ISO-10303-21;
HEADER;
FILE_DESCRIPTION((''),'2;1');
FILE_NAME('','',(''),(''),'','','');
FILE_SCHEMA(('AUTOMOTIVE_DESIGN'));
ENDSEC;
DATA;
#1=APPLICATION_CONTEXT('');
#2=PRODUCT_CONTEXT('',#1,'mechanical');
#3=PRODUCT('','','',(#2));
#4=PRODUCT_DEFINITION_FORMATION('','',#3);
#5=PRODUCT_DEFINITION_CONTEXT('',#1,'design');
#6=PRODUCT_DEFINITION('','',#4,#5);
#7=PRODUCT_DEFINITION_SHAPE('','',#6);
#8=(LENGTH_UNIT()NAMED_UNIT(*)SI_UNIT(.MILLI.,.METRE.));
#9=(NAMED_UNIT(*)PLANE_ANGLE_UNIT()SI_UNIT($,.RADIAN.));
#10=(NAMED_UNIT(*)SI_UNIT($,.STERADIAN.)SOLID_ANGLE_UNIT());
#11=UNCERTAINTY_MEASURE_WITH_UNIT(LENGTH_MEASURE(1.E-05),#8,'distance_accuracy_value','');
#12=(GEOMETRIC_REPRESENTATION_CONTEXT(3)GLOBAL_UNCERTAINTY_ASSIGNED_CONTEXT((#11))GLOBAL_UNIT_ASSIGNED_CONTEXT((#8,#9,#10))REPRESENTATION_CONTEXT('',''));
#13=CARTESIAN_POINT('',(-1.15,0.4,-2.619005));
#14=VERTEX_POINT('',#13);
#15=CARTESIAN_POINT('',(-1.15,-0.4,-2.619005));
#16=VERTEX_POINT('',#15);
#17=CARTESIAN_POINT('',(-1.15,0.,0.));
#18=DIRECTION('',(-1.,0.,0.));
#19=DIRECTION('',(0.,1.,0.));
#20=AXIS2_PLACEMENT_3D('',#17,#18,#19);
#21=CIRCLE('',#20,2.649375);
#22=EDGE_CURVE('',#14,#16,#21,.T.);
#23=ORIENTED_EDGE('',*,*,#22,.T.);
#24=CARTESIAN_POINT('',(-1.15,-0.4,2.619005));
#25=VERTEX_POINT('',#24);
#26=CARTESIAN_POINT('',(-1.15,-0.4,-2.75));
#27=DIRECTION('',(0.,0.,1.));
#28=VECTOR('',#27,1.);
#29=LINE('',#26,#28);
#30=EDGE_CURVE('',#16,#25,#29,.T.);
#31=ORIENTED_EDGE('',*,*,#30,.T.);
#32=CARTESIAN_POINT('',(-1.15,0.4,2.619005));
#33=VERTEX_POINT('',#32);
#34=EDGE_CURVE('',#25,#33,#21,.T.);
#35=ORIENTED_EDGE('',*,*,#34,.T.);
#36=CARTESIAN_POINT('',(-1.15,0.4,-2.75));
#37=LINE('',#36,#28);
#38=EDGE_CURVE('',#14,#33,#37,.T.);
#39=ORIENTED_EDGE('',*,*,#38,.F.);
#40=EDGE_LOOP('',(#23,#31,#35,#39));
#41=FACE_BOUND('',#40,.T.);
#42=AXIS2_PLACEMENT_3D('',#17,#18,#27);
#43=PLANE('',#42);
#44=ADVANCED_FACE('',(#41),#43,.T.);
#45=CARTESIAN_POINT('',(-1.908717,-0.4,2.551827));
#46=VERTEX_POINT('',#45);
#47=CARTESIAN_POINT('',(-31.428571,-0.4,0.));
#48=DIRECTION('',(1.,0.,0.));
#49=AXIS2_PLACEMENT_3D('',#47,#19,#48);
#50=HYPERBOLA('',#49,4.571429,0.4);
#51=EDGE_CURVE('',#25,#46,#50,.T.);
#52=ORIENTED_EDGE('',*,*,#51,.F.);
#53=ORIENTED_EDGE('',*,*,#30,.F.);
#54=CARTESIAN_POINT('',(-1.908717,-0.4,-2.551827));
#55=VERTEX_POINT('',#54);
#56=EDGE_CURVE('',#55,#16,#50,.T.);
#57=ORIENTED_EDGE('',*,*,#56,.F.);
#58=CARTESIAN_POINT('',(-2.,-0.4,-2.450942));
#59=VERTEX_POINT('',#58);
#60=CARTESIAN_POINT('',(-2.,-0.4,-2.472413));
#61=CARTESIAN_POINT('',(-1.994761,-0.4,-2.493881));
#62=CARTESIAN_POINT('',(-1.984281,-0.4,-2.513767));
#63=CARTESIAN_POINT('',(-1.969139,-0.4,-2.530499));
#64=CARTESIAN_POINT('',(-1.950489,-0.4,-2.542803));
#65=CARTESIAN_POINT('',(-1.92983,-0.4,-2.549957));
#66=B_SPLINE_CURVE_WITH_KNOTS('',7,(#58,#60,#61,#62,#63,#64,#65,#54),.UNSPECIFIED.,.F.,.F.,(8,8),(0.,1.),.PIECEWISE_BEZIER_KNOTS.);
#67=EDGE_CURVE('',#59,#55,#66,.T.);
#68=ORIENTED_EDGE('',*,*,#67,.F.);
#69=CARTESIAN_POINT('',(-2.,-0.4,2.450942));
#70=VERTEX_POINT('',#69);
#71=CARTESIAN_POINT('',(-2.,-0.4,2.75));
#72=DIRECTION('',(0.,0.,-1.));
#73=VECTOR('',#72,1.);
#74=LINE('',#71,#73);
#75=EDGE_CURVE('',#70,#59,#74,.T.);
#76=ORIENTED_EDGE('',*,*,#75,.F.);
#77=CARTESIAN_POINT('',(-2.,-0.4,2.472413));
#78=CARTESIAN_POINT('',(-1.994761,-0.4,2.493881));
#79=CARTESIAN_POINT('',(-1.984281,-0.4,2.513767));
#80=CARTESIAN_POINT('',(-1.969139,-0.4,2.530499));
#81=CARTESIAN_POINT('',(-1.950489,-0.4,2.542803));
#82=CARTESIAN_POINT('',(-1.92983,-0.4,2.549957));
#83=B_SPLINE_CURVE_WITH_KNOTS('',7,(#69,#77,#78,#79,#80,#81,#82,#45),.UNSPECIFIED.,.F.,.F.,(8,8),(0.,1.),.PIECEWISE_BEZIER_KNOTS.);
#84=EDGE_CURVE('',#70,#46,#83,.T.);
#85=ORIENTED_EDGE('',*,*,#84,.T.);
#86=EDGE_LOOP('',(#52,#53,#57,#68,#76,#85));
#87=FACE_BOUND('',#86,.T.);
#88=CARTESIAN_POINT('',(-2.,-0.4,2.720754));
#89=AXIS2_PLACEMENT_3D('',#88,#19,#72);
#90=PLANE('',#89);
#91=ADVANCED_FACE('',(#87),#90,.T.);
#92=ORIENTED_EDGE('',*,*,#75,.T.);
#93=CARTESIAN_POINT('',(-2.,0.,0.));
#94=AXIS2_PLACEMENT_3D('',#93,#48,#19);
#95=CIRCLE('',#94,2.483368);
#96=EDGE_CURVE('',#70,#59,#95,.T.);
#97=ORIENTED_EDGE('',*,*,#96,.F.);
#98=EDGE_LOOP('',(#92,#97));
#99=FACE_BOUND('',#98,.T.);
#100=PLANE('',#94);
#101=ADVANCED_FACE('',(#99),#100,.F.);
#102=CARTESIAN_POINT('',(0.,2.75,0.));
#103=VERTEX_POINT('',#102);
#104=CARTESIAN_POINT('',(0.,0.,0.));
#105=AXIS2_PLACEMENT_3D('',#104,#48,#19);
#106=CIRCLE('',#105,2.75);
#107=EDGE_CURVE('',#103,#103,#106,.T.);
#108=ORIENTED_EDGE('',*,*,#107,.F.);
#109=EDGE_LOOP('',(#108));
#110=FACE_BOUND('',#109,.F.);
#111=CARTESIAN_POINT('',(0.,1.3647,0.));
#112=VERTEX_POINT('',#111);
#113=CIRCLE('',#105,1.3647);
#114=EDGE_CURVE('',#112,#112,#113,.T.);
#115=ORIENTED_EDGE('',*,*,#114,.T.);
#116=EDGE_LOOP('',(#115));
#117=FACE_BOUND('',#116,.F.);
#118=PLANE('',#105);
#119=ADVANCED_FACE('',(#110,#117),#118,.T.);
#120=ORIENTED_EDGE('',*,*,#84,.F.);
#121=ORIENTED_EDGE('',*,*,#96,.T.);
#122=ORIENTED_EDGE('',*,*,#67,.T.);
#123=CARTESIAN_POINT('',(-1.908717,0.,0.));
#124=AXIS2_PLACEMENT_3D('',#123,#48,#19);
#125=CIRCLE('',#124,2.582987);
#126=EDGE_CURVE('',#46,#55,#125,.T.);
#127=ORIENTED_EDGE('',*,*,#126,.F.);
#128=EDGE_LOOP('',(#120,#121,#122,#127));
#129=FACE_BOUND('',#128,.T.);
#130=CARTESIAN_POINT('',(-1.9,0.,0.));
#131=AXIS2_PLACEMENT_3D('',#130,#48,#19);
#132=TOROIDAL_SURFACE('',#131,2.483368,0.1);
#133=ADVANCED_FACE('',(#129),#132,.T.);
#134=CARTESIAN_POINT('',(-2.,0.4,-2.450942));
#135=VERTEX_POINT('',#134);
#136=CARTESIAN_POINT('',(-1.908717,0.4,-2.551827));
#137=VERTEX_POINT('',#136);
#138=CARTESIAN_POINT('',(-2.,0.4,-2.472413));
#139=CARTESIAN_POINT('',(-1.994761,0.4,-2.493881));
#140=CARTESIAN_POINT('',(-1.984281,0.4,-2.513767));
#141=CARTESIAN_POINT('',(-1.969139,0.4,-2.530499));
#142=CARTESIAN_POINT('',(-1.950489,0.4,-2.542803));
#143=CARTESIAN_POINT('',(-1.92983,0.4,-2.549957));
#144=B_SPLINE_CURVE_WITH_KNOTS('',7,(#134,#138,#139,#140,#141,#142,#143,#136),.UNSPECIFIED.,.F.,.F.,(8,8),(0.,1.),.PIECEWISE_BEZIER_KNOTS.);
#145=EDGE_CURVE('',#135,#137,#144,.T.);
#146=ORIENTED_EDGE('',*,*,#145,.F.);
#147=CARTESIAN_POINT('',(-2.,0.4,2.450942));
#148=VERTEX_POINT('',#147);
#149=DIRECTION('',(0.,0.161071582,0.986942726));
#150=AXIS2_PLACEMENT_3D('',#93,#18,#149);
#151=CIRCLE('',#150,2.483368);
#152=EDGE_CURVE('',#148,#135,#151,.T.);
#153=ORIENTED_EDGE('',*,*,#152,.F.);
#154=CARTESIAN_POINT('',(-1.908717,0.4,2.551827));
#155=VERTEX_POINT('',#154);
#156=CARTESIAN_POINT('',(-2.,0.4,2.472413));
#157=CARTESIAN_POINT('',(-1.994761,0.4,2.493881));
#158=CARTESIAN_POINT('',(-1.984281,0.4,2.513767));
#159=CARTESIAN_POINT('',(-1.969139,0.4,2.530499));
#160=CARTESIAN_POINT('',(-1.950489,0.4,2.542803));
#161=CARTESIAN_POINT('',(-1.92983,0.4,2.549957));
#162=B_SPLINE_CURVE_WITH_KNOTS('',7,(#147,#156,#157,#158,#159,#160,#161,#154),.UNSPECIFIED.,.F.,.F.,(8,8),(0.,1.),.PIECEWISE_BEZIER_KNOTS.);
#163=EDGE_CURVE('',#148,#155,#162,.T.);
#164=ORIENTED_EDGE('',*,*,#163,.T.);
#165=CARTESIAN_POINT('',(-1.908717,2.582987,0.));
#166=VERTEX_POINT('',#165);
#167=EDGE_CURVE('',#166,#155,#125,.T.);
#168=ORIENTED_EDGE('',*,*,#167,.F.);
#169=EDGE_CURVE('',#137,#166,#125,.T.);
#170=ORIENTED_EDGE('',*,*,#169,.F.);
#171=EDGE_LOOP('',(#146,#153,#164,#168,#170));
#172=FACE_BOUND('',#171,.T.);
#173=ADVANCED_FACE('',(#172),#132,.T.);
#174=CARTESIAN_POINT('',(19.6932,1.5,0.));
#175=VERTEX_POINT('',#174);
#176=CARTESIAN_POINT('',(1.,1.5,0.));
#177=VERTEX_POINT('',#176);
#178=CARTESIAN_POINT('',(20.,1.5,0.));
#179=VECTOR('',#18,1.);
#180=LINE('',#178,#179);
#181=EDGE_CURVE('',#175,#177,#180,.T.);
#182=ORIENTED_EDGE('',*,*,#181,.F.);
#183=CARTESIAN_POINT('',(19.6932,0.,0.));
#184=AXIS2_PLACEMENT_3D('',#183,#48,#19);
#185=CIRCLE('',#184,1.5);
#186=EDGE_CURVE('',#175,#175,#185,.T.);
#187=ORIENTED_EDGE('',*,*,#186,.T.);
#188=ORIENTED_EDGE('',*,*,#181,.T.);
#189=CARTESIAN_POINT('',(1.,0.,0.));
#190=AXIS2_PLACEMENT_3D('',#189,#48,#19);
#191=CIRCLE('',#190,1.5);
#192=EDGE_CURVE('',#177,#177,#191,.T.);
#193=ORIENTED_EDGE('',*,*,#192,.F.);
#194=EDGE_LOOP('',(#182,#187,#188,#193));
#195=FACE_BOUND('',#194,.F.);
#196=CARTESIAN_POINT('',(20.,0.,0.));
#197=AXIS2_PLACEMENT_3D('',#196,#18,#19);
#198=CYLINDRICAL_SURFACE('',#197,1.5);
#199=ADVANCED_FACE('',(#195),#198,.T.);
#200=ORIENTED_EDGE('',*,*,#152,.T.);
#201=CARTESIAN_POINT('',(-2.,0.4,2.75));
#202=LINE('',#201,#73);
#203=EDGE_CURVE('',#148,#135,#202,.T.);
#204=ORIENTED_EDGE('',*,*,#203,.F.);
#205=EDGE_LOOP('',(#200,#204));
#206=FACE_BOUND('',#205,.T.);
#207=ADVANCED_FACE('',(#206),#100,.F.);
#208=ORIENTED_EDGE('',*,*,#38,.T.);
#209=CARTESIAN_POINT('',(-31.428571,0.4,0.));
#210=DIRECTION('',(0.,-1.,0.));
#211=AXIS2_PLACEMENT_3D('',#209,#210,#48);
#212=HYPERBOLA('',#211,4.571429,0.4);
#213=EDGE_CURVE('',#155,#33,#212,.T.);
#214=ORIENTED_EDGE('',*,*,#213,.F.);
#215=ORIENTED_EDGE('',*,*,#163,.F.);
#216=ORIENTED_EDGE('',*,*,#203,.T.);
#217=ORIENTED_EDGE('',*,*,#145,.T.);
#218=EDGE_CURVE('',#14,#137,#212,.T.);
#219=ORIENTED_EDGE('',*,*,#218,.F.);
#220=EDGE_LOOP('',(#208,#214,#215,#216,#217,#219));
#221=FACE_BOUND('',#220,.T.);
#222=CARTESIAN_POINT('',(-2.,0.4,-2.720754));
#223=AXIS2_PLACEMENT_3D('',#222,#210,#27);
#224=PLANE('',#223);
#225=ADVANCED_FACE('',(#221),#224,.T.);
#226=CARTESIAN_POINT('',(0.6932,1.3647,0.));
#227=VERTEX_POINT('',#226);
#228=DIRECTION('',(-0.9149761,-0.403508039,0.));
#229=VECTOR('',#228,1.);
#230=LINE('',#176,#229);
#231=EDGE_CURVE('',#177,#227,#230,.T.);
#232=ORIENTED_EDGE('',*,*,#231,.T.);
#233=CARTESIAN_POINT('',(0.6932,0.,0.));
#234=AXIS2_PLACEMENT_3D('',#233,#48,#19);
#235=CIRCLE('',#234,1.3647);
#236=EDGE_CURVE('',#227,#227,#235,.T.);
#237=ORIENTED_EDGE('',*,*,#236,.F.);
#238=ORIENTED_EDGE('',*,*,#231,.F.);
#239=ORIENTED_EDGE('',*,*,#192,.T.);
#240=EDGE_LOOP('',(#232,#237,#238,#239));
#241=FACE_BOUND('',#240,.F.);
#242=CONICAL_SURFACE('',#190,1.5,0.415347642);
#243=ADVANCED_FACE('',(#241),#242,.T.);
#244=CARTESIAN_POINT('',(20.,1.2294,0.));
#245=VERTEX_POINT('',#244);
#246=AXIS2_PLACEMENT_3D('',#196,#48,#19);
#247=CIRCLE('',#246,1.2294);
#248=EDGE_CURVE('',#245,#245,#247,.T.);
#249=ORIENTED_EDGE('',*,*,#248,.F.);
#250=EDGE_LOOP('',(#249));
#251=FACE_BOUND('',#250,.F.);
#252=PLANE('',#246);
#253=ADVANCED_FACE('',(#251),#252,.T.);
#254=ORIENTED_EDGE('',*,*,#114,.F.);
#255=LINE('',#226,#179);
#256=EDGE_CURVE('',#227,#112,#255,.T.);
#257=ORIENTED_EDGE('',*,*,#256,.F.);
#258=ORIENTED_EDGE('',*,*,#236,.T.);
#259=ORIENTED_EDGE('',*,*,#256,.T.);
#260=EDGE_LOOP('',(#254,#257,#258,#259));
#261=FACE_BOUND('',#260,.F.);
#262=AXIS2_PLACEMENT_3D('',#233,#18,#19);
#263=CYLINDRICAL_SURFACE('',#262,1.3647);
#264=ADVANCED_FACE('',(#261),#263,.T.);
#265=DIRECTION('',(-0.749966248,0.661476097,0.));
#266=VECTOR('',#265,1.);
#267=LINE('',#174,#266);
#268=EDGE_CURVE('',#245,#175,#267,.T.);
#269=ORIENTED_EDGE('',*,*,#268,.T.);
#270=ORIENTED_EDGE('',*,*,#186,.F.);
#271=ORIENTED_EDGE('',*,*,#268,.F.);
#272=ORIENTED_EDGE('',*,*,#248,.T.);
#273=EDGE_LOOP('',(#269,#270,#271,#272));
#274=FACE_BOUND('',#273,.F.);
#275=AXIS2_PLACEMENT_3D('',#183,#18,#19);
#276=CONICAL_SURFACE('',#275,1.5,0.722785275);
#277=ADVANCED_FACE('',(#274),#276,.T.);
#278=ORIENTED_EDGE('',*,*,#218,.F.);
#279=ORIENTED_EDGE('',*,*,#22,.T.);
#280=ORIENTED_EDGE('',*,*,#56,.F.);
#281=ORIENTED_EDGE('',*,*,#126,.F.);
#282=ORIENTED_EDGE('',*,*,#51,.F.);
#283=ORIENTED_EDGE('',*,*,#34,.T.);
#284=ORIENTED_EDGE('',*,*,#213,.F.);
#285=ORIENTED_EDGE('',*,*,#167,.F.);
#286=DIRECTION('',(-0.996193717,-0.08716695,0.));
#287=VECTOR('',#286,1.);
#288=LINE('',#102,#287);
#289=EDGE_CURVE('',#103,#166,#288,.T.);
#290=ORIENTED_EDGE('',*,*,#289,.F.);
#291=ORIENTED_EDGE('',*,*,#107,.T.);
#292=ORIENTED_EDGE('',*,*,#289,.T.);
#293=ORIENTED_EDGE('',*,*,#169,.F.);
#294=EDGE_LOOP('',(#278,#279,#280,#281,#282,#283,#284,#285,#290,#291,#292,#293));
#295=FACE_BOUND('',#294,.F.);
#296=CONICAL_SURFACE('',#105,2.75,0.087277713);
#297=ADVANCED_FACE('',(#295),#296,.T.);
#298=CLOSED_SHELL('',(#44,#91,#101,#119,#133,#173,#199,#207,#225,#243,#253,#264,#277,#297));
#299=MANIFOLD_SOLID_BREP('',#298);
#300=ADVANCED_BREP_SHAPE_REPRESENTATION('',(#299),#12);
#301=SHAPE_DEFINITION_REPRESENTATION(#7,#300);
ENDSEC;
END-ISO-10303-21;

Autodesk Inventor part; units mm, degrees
ref_plane "YZ Plane" through (0, 0, 0) normal (1, 0, 0) x (0, 1, 0)
ref_plane "XZ Plane" through (0, 0, 0) normal (0, 1, 0) x (-1, 0, 0)
sketch "Sketch1" plane through (0, 0, 0) normal (0, 0, 1) x (1, 0, 0)
  line L0 (-2, 0) -> (20, 0)
  line L1 (20, 0) -> (20, 1.5)
  line L2 (20, 1.5) -> (1, 1.5)
  line L3 (1, 1.5) -> (0.6932, 1.3647)
  line L4 (0.6932, 1.3647) -> (0, 1.3647)
  line L5 (0, 1.3647) -> (0, 2.75)
  line L6 (-6.4, 0) -> (24.4, 0) projected
  line L7 (0, -0.55) -> (0, 3.3) projected
  line L8 (-2, 0) -> (-2, 2.575)
  line L9 (0, 2.75) -> (-2, 2.575)
  line L10 (1, 1.5) -> (0, 1.5) construction
  dimension "d0" = 20
  dimension "d1" = 19
  dimension "d2" = 0.3068
  dimension "d3" = 2
  dimension "d4" = 3
  dimension "d5" = 2.7294
  dimension "d9" = 5.5
  dimension "d10" = 5
revolve "Body" add sketch "Sketch1" angle 360 about axis through (-2, 0, 0) along (1, 0, 0)
sketch "Sketch2" plane through (-2, 0, 0) normal (-1, 0, 0) x (0, 0, 1)
  circle A0 centre (0, 0) radius 2.75 projected
  line L0 (0, 0) -> (0, 2.575) projected
  line L1 (-2.75, 0.4) -> (2.75, 0.4)
  line L2 (2.75, 0.4) -> (2.75, -0.4)
  line L3 (2.75, -0.4) -> (-2.75, -0.4)
  line L4 (-2.75, -0.4) -> (-2.75, 0.4)
  line L5 (-2.75, 0) -> (2.75, 0) construction
  line L6 (0, 0.4) -> (0, -0.4) construction
  dimension "d11" = 0.8
  dimension "d12" = 5.5
fillet "Fillet1" radius 0.1 1 edges at (-2, -2.575, 0)
extrude "Slot" cut sketch "Sketch2" against normal blind 0.85 contours A0 L3 L1 | L2 L3 A0 | A0 L1 L2 | A0 L4 L1 | L3 L4 A0
thread "Thread" size "M3x0.5" class "6g" standard "ISO Metric profile" length 19
chamfer "Chamfer1" distance 0.2706 distance2 0.3068 1 edges at (20, -1.5, 0) measured on face at (20, 0.3743, -0.3316)
ref_plane "Work Plane1" through (30.1625, 0, 0) normal (0, 0, -1) x (1, 0, 0)
equation "\"d11\" = SBR"
equation "\"d12\" = KOD"
equation "\"d14\" = RR"
equation "\"d19\" = STI"
equation "\"d15\" = GEL"
equation "\"d17\" = -0.5 * SPD + 0.5 * GD"
equation "\"d0\" = NLG"
equation "\"d1\" = GEL"
equation "\"d3\" = KOH"
equation "\"d4\" = GD"
equation "\"d5\" = BDM"
equation "\"d9\" = KOD"
equation "\"d10\" = KEWI"
equation "\"GD\" = 3"
equation "\"NLG\" = 20"
equation "\"GEL\" = 19"
equation "\"KOD\" = 5.5"
equation "\"KOH\" = 2"
equation "\"GAL\" = 0.61345 * PTC"
equation "\"SPD\" = 2.45873"
equation "\"BDM\" = 2.72937"
equation "\"GUL\" = 0.61345 * PTC"
equation "\"RR\" = 0.1"
equation "\"SBR\" = 0.8"
equation "\"STI\" = 0.85"
equation "\"KEWI\" = 5deg"
equation "\"PTC\" = 0.5"
equation "\"THREADDIA\" = 3"
equation "\"TOA\" = 30deg"
equation "\"NND\" = 3"
equation "\"GD1\" = THREADDIA - 1.2269 * PTC"
properties part number "DIN 84 - M3 x 20" material "Steel, Mild"
